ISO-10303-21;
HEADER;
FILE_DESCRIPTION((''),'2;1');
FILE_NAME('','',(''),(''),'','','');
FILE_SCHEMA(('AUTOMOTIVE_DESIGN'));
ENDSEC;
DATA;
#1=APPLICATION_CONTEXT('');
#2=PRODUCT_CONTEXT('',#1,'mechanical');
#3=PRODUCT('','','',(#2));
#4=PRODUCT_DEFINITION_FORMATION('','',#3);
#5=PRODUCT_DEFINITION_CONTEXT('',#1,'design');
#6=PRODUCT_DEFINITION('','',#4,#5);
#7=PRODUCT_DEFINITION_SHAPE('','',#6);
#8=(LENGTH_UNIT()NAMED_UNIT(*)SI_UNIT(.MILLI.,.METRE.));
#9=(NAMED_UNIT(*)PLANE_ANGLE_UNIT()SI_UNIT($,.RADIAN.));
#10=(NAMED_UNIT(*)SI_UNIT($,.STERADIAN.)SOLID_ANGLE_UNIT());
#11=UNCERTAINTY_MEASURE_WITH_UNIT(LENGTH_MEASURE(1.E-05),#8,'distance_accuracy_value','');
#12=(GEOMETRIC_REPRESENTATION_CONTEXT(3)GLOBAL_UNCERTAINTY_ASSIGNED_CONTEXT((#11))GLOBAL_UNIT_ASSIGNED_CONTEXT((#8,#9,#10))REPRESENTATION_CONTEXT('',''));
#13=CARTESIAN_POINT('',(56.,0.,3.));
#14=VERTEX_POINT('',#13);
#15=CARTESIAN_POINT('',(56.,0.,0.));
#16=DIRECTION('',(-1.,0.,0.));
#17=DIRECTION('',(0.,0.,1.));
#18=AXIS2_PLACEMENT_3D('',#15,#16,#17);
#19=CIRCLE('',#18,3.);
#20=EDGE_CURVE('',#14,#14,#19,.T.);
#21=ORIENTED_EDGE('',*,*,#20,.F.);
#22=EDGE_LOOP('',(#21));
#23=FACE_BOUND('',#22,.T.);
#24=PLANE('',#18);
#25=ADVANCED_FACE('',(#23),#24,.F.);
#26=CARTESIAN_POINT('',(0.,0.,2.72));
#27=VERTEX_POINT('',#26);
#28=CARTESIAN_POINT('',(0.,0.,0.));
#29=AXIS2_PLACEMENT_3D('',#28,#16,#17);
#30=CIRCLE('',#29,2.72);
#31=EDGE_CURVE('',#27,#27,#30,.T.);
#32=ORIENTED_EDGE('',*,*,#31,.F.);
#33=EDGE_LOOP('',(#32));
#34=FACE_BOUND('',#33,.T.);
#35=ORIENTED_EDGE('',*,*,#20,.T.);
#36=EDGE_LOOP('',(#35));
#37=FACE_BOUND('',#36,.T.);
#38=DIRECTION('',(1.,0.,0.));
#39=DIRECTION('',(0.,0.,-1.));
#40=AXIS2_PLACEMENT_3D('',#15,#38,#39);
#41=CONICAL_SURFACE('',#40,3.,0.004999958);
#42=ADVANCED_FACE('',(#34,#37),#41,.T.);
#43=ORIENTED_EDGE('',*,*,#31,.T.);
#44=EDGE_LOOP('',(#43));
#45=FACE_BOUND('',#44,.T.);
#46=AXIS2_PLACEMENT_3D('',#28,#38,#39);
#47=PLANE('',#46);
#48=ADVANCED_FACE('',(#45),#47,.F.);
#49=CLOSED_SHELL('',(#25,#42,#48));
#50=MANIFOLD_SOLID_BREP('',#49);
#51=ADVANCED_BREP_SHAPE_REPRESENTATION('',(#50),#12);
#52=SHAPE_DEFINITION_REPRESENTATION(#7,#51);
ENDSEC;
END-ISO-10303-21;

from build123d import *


with BuildPart() as part:
    # Sketch1 → Revolve1 (revolve)
    with BuildSketch(Plane.XY, mode=Mode.PRIVATE) as revolve1_sk:
        Polygon((0, 0), (56, 0), (56, 3), (0, 2.72), align=None)
    revolve(revolve1_sk.sketch.rotate(Axis((0, 0, 0), (1, 0, 0)), 90), axis=Axis((0, 0, 0), (1, 0, 0)))


solid = part.part
